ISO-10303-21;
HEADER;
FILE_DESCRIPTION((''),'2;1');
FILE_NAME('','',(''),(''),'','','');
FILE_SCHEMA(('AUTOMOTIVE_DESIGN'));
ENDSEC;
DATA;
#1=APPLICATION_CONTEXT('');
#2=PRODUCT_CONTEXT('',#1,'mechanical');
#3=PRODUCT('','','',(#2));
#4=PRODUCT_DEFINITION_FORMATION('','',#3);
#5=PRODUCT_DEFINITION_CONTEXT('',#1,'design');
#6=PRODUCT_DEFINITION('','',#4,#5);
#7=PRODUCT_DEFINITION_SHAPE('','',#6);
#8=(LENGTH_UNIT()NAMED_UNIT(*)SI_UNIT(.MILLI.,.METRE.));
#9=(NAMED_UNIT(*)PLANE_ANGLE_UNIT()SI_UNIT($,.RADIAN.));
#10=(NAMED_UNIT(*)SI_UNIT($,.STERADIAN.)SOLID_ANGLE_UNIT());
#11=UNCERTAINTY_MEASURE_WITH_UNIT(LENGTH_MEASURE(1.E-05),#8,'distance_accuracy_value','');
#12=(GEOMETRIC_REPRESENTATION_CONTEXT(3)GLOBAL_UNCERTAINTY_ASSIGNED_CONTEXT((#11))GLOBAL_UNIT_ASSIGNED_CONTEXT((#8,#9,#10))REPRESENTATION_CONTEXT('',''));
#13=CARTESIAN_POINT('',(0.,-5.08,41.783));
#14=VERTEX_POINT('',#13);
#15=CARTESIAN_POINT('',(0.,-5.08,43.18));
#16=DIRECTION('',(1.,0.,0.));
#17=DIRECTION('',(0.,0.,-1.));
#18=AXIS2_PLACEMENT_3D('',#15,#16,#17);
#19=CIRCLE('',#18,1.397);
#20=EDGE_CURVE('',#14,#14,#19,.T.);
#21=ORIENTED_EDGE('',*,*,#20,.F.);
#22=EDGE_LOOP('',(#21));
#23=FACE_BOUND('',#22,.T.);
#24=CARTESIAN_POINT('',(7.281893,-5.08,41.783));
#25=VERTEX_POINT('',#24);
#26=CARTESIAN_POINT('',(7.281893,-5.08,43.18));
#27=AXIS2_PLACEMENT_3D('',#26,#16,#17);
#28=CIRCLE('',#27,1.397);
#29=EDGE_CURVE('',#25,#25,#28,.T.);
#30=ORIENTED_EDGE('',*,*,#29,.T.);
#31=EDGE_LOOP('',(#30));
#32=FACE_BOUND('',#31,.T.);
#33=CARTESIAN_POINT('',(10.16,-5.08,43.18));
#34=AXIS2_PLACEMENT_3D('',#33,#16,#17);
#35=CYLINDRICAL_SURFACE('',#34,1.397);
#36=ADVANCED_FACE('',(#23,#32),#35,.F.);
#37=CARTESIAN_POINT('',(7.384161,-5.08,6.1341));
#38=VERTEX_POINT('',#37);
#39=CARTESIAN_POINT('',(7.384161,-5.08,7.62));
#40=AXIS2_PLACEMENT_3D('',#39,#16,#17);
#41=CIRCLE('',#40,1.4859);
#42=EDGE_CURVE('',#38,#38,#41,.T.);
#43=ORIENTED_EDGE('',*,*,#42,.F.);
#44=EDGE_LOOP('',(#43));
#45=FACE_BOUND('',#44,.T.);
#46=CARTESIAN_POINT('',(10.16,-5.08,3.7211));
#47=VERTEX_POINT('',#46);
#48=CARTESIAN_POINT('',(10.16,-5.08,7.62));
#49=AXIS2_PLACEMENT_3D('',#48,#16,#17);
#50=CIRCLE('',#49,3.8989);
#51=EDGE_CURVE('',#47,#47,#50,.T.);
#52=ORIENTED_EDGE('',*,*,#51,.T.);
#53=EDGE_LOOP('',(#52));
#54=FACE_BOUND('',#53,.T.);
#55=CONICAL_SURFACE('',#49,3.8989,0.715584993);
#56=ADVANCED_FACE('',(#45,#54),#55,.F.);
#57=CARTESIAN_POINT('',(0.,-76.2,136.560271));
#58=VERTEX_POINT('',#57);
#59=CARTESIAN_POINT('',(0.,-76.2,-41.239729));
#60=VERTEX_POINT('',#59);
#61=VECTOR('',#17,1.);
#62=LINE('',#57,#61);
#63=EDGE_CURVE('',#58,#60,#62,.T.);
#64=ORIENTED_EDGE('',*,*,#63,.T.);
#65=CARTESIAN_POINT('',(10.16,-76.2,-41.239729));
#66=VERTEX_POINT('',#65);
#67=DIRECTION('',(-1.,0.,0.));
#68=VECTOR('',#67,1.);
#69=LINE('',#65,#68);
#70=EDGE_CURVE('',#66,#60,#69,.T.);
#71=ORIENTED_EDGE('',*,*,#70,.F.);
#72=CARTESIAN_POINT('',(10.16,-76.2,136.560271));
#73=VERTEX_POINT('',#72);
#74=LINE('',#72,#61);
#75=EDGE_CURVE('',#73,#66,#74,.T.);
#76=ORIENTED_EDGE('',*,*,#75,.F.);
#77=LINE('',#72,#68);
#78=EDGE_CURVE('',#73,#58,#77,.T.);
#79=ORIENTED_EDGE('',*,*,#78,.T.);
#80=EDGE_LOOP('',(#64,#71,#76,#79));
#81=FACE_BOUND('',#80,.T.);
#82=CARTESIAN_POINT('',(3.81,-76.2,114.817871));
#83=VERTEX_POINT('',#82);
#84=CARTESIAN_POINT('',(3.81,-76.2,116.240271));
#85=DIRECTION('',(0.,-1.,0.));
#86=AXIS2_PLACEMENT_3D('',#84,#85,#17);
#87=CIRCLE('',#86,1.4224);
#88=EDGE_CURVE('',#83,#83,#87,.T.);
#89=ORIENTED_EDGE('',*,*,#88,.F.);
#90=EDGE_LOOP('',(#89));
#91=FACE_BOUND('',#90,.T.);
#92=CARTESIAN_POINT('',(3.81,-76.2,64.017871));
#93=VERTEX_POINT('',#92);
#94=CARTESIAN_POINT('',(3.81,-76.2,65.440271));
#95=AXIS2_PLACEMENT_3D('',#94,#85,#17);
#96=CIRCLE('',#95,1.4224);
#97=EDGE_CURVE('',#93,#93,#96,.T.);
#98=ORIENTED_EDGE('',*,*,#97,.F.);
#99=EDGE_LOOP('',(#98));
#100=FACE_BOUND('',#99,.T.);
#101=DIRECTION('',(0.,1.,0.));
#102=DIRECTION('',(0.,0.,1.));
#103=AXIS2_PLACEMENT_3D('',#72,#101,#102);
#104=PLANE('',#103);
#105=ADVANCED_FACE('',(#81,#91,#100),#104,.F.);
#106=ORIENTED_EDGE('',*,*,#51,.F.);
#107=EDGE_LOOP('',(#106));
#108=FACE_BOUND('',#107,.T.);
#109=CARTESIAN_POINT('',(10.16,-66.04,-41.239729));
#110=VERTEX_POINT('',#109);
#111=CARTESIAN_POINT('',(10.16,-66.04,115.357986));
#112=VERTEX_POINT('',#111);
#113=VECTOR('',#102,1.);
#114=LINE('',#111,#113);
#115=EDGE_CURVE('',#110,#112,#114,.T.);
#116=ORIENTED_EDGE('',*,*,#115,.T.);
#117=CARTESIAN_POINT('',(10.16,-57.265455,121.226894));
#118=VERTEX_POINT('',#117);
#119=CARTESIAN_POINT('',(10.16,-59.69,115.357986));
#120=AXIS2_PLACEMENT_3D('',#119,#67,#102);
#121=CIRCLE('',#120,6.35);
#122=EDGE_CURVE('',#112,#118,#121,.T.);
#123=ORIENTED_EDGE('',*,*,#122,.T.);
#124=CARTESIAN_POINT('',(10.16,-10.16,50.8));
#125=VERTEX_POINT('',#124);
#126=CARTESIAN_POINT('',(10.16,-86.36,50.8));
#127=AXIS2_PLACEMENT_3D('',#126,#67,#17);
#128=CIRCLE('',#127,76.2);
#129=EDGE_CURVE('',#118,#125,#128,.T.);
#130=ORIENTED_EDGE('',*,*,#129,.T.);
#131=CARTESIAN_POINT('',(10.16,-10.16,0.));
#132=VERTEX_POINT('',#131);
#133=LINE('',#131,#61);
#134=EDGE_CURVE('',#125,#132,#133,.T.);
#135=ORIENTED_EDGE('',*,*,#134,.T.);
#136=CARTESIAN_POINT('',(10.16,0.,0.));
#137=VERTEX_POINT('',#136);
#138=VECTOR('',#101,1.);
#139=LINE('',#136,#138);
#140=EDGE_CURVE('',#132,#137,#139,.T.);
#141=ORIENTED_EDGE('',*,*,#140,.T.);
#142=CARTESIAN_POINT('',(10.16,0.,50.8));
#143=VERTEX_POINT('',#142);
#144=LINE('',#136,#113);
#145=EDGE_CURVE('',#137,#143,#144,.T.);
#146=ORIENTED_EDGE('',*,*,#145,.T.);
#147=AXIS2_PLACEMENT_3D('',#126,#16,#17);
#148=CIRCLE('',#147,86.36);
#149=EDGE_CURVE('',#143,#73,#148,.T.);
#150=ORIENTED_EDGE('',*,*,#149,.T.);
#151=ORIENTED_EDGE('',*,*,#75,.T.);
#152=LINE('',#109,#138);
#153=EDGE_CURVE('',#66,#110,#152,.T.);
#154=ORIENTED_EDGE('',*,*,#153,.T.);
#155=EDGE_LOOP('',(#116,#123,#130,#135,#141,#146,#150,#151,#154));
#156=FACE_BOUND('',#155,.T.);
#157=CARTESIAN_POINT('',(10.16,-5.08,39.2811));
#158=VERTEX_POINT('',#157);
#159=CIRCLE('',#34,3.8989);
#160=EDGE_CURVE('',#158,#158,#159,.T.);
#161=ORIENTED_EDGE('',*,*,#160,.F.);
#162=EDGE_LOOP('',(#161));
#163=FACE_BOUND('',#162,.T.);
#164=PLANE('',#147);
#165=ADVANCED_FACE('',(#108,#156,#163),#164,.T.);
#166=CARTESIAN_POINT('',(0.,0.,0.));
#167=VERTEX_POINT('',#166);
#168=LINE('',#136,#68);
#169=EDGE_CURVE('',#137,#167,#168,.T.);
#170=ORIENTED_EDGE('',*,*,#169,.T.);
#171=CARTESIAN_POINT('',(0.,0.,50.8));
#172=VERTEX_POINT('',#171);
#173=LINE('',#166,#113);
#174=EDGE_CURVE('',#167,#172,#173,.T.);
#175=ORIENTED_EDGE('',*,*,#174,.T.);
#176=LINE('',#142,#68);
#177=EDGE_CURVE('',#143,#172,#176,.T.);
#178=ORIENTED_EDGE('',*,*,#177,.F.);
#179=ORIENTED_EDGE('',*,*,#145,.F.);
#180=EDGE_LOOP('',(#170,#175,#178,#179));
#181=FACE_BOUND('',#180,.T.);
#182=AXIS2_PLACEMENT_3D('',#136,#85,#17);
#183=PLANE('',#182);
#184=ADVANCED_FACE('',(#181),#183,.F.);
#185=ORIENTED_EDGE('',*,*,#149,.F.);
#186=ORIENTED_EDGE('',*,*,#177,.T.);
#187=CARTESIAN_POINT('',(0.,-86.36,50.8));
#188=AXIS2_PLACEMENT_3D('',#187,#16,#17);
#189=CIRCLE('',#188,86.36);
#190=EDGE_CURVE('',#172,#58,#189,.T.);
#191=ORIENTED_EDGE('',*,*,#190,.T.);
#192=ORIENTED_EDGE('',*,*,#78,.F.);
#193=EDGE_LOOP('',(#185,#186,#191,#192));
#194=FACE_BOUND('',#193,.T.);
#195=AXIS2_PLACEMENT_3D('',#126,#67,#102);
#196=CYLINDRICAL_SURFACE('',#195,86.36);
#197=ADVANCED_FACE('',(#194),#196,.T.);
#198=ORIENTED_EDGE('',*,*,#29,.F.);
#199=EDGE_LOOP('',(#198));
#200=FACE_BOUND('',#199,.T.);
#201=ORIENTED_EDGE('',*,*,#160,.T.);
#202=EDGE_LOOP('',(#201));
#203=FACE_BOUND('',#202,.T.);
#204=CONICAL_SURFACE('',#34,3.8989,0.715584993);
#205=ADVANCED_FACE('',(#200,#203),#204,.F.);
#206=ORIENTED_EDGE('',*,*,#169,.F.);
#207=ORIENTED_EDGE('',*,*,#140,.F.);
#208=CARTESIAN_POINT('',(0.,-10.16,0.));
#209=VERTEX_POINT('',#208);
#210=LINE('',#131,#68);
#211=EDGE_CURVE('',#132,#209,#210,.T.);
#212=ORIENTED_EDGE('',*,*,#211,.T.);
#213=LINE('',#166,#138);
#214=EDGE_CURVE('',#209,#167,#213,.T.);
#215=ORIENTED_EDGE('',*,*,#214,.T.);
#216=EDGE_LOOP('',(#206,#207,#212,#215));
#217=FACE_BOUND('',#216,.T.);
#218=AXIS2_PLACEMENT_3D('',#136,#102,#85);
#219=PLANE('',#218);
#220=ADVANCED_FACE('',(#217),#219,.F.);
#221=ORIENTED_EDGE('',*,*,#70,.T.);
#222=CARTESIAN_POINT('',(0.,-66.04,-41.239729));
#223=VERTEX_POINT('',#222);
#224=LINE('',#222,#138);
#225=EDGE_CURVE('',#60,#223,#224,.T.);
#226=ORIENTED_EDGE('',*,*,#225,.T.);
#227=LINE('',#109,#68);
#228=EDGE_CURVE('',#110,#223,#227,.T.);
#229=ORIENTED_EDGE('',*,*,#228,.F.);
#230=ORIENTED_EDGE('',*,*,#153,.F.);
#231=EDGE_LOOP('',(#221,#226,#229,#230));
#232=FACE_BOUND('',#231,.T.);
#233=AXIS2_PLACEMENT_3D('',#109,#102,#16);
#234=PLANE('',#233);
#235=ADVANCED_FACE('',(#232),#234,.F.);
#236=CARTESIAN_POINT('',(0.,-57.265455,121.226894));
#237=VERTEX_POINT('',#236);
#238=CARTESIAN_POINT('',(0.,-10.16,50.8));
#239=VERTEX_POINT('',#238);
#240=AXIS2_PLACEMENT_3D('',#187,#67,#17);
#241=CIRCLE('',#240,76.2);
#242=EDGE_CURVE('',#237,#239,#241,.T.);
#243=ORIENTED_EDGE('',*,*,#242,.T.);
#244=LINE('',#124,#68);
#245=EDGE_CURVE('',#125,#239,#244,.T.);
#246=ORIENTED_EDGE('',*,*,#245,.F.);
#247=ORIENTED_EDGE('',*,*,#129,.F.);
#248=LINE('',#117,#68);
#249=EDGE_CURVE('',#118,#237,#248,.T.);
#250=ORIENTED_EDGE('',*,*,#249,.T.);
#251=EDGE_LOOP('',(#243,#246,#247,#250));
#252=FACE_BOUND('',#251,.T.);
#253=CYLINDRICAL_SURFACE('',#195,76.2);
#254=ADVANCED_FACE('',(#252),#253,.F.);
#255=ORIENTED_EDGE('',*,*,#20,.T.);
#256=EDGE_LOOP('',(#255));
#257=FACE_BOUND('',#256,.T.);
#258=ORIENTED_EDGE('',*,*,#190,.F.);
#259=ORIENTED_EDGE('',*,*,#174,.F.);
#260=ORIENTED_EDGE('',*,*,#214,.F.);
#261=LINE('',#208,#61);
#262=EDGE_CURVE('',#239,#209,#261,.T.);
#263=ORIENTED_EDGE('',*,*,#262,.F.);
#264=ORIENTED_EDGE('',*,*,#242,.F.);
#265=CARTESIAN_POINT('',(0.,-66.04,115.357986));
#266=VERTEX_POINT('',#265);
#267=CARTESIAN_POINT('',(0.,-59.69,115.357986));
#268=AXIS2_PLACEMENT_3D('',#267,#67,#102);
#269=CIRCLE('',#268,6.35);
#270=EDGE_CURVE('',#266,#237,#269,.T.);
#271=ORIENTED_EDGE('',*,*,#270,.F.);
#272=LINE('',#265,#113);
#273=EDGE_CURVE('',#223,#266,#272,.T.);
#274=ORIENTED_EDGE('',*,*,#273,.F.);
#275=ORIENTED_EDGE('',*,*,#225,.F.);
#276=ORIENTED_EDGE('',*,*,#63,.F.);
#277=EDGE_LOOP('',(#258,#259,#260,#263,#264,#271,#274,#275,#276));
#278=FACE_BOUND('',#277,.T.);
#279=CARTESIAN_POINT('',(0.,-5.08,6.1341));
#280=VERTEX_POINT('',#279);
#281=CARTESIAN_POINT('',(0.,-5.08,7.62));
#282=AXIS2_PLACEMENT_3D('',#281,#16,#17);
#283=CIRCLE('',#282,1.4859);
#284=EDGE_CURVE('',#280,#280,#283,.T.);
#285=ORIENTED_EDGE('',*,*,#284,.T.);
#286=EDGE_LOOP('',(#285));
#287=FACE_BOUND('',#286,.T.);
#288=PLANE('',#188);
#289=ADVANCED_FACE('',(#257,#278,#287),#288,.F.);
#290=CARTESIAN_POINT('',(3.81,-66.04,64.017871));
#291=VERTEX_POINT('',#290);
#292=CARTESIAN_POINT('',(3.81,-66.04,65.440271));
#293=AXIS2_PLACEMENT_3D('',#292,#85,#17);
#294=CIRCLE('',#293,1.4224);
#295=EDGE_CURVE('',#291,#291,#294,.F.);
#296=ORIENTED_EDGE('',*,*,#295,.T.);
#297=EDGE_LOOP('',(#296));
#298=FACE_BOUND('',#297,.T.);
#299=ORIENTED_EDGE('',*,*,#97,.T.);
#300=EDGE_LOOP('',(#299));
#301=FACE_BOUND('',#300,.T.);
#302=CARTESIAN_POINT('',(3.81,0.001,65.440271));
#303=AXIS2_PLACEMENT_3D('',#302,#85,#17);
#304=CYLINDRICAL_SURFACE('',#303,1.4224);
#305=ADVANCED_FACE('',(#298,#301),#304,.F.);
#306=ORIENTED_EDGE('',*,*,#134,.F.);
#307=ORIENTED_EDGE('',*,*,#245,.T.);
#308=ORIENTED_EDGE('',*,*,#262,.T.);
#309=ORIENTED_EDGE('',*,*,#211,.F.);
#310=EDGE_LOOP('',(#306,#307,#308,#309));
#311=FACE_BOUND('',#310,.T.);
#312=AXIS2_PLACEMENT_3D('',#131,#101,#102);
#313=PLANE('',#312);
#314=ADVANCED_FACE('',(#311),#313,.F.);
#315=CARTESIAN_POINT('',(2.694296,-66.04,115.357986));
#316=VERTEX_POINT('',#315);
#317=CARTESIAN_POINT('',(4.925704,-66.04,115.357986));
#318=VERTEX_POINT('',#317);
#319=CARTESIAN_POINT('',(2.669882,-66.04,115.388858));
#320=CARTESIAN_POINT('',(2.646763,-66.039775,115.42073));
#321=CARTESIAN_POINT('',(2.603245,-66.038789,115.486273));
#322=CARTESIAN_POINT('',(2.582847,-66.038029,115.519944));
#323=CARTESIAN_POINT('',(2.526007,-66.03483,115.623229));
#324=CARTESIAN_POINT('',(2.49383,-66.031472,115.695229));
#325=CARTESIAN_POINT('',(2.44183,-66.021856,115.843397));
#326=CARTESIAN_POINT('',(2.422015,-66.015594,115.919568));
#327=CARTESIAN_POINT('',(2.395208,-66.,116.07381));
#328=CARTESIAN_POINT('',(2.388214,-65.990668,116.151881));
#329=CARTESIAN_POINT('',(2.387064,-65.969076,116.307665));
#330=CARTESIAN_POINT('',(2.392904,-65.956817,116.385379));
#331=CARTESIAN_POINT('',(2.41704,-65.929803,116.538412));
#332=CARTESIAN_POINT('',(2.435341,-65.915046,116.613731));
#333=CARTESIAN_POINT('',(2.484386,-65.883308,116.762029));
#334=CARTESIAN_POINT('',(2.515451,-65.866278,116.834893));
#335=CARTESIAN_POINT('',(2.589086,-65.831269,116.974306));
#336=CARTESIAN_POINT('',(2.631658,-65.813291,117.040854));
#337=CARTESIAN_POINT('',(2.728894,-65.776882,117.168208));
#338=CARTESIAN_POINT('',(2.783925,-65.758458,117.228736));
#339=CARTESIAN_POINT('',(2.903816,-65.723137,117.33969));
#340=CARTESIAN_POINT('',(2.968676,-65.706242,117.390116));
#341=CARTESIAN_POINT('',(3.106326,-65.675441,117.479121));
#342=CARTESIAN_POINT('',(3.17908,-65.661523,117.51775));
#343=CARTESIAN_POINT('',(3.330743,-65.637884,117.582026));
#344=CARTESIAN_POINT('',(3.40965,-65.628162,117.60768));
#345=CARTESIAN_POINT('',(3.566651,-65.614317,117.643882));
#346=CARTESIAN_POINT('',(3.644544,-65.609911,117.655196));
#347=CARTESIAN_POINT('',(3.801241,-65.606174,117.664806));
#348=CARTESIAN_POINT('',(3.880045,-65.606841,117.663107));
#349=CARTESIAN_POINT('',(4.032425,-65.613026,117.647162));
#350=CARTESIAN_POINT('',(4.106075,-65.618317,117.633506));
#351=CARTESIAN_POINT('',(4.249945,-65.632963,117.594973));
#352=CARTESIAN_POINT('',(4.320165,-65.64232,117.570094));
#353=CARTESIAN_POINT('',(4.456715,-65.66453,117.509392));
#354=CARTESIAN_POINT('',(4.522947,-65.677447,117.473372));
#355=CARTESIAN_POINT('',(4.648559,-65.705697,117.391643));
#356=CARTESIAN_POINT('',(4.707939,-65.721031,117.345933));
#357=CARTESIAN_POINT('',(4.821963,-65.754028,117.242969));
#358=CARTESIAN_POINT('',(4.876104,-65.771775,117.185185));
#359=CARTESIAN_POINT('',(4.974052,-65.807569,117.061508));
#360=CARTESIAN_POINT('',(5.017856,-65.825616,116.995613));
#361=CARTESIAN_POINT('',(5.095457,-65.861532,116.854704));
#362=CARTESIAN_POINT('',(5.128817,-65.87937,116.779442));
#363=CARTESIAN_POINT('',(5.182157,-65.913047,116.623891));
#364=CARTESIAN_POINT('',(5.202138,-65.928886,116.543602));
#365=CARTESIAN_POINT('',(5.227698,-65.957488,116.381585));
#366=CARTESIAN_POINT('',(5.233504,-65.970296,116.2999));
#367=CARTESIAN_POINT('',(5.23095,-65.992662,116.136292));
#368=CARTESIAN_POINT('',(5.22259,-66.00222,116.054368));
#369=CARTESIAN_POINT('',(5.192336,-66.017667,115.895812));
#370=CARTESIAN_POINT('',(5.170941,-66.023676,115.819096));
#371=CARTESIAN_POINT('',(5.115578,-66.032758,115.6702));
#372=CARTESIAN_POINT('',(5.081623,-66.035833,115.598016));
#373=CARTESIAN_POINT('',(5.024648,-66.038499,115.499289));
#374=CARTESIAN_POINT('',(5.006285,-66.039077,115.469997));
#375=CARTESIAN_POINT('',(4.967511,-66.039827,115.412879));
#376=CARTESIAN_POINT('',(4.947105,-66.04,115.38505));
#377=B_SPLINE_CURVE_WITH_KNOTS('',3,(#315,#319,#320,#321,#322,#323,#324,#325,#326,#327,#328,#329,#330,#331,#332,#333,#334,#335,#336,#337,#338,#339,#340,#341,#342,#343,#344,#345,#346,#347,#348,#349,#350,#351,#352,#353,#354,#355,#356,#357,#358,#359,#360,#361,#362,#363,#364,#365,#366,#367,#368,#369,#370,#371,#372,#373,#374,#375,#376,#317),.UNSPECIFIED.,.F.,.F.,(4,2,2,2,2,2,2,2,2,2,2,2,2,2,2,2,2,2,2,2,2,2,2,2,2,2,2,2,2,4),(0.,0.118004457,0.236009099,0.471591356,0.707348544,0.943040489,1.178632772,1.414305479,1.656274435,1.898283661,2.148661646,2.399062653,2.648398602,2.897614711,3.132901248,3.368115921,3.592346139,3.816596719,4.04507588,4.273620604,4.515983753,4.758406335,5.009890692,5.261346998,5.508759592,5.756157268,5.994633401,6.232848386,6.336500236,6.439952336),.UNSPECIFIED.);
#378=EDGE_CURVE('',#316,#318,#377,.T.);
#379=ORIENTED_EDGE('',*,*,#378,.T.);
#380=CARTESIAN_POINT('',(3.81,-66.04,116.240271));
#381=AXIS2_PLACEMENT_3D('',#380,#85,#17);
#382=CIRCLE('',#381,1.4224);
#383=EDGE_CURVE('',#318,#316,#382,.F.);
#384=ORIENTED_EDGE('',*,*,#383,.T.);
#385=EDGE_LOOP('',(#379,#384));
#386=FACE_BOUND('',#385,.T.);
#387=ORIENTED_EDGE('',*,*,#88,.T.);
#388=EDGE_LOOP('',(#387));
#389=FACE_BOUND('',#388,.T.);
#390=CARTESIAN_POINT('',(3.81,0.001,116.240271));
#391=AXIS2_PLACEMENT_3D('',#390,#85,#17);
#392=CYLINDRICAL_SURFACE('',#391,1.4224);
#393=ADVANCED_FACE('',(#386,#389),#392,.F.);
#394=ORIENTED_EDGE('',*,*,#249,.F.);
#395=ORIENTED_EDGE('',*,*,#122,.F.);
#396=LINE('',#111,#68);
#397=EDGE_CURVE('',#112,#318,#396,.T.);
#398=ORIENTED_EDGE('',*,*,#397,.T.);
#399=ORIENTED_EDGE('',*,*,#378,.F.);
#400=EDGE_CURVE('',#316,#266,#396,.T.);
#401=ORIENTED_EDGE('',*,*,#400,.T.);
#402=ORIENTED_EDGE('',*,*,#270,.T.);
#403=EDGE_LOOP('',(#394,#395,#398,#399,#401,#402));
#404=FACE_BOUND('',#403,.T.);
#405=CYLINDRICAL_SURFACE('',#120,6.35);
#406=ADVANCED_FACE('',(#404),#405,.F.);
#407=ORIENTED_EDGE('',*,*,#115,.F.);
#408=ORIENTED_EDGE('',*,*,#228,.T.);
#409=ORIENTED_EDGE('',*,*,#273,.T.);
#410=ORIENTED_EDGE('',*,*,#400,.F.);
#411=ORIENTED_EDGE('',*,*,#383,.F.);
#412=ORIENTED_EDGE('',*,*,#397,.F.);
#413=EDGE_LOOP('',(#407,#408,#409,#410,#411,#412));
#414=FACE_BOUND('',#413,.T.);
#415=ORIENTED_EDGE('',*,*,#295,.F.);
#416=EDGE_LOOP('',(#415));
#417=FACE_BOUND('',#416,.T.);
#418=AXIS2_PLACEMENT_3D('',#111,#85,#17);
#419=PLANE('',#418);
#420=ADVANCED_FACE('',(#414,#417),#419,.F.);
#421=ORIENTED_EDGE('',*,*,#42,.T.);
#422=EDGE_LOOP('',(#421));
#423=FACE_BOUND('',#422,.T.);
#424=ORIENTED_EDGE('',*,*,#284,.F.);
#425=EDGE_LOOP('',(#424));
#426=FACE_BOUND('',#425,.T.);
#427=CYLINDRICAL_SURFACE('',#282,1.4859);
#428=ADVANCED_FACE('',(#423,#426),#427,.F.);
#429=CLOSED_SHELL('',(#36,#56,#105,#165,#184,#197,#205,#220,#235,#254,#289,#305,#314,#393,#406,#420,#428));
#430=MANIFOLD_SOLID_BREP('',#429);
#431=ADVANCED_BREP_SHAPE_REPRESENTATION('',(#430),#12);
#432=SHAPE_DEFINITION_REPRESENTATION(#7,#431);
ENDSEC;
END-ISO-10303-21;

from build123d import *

# Parameters (mm, degrees)
BOSS_EXTRUDE1_DEPTH                               = 10.16
SKETCH2_R                                         = 1.4859
CUT_EXTRUDE2_DEPTH                                = 157.71111347
CUT_EXTRUDE3_REACH                                = 158.711
SKETCH3_R                                         = 1.4224
CSK_FOR_3_FLAT_HEAD_MACHINE_SCREW_100_D           = 2.794
CSK_FOR_3_FLAT_HEAD_MACHINE_SCREW_100_CSINK_D     = 7.7978
CSK_FOR_3_FLAT_HEAD_MACHINE_SCREW_100_CSINK_ANGLE = 82


with BuildPart() as part:
    # Sketch1 → Boss-Extrude1 (new body)
    with BuildSketch(Plane(origin=(0, 0, 0), x_dir=(0, 0, -1), z_dir=(1, 0, 0))):
        with BuildLine():
            Line((-136.560270522, -76.2), (41.239729478, -76.2))
            Line((41.239729478, -76.2), (41.239729478, -66.04))
            Line((41.239729478, -66.04), (-115.357986338, -66.04))
            ThreePointArc((-115.357986338, -66.04), (-120.636166121, -63.220342502), (-121.226894187, -57.265454545))
            ThreePointArc((-121.226894187, -57.265454545), (-93.164110025, -23.021842608), (-50.8, -10.16))
            Line((-50.8, -10.16), (0, -10.16))
            Line((0, -10.16), (0, 0))
            Line((0, 0), (-50.8, 0))
            ThreePointArc((-50.8, 0), (-108.161276136, -21.802013662), (-136.560270522, -76.2))
        make_face()
    extrude(amount=BOSS_EXTRUDE1_DEPTH)

    # Sketch2 → Cut-Extrude2 (cut, through all)
    with BuildSketch(Plane(origin=(10.16, 0, 0), x_dir=(0, 0, -1), z_dir=(1, 0, 0))):
        with Locations((-7.62, -5.08)):
            Circle(SKETCH2_R)
    extrude(amount=-CUT_EXTRUDE2_DEPTH, mode=Mode.SUBTRACT)

    # Sketch3 → Cut-Extrude3 (cut, up to next)
    with BuildSketch(Plane.XZ.offset(76.2), mode=Mode.PRIVATE) as cut_extrude3_sk1:
        with Locations(Location((3.81, 116.240270522, 0), (0, 0, 270))):
            Circle(SKETCH3_R)
    cut_extrude3_tool1 = extrude(cut_extrude3_sk1.sketch, amount=-CUT_EXTRUDE3_REACH, mode=Mode.PRIVATE) & part.part
    # Sketch3 → Cut-Extrude3 (cut, up to next)
    with BuildSketch(Plane.XZ.offset(76.2), mode=Mode.PRIVATE) as cut_extrude3_sk2:
        with Locations(Location((3.81, 65.440270522, 0), (0, 0, 270))):
            Circle(SKETCH3_R)
    cut_extrude3_tool2 = extrude(cut_extrude3_sk2.sketch, amount=-CUT_EXTRUDE3_REACH, mode=Mode.PRIVATE) & part.part
    add(cut_extrude3_tool1.solids().sort_by_distance((3.81, -76.2, 116.240271))[0], mode=Mode.SUBTRACT)
    add(cut_extrude3_tool2.solids().sort_by_distance((3.81, -76.2, 65.440271))[0], mode=Mode.SUBTRACT)

    # CSK for #3 Flat Head Machine Screw (100)1 (through all)
    with Locations(Plane(origin=(10.16, 0, 0), x_dir=(0, 0, -1), z_dir=(1, 0, 0))):
        with Locations((-7.62, -5.08)):
            csk_for_3_flat_head_machine_screw_100 = CounterSinkHole(CSK_FOR_3_FLAT_HEAD_MACHINE_SCREW_100_D / 2, CSK_FOR_3_FLAT_HEAD_MACHINE_SCREW_100_CSINK_D / 2, counter_sink_angle=CSK_FOR_3_FLAT_HEAD_MACHINE_SCREW_100_CSINK_ANGLE)

    # Mirror1: CSK for #3 Flat Head Machine Screw (100)1 across plane
    add(csk_for_3_flat_head_machine_screw_100.mirror(Plane(origin=(0, 0, 25.4), x_dir=(1, 0, 0), z_dir=(0, 0, -1))), mode=Mode.SUBTRACT)


solid = part.part
